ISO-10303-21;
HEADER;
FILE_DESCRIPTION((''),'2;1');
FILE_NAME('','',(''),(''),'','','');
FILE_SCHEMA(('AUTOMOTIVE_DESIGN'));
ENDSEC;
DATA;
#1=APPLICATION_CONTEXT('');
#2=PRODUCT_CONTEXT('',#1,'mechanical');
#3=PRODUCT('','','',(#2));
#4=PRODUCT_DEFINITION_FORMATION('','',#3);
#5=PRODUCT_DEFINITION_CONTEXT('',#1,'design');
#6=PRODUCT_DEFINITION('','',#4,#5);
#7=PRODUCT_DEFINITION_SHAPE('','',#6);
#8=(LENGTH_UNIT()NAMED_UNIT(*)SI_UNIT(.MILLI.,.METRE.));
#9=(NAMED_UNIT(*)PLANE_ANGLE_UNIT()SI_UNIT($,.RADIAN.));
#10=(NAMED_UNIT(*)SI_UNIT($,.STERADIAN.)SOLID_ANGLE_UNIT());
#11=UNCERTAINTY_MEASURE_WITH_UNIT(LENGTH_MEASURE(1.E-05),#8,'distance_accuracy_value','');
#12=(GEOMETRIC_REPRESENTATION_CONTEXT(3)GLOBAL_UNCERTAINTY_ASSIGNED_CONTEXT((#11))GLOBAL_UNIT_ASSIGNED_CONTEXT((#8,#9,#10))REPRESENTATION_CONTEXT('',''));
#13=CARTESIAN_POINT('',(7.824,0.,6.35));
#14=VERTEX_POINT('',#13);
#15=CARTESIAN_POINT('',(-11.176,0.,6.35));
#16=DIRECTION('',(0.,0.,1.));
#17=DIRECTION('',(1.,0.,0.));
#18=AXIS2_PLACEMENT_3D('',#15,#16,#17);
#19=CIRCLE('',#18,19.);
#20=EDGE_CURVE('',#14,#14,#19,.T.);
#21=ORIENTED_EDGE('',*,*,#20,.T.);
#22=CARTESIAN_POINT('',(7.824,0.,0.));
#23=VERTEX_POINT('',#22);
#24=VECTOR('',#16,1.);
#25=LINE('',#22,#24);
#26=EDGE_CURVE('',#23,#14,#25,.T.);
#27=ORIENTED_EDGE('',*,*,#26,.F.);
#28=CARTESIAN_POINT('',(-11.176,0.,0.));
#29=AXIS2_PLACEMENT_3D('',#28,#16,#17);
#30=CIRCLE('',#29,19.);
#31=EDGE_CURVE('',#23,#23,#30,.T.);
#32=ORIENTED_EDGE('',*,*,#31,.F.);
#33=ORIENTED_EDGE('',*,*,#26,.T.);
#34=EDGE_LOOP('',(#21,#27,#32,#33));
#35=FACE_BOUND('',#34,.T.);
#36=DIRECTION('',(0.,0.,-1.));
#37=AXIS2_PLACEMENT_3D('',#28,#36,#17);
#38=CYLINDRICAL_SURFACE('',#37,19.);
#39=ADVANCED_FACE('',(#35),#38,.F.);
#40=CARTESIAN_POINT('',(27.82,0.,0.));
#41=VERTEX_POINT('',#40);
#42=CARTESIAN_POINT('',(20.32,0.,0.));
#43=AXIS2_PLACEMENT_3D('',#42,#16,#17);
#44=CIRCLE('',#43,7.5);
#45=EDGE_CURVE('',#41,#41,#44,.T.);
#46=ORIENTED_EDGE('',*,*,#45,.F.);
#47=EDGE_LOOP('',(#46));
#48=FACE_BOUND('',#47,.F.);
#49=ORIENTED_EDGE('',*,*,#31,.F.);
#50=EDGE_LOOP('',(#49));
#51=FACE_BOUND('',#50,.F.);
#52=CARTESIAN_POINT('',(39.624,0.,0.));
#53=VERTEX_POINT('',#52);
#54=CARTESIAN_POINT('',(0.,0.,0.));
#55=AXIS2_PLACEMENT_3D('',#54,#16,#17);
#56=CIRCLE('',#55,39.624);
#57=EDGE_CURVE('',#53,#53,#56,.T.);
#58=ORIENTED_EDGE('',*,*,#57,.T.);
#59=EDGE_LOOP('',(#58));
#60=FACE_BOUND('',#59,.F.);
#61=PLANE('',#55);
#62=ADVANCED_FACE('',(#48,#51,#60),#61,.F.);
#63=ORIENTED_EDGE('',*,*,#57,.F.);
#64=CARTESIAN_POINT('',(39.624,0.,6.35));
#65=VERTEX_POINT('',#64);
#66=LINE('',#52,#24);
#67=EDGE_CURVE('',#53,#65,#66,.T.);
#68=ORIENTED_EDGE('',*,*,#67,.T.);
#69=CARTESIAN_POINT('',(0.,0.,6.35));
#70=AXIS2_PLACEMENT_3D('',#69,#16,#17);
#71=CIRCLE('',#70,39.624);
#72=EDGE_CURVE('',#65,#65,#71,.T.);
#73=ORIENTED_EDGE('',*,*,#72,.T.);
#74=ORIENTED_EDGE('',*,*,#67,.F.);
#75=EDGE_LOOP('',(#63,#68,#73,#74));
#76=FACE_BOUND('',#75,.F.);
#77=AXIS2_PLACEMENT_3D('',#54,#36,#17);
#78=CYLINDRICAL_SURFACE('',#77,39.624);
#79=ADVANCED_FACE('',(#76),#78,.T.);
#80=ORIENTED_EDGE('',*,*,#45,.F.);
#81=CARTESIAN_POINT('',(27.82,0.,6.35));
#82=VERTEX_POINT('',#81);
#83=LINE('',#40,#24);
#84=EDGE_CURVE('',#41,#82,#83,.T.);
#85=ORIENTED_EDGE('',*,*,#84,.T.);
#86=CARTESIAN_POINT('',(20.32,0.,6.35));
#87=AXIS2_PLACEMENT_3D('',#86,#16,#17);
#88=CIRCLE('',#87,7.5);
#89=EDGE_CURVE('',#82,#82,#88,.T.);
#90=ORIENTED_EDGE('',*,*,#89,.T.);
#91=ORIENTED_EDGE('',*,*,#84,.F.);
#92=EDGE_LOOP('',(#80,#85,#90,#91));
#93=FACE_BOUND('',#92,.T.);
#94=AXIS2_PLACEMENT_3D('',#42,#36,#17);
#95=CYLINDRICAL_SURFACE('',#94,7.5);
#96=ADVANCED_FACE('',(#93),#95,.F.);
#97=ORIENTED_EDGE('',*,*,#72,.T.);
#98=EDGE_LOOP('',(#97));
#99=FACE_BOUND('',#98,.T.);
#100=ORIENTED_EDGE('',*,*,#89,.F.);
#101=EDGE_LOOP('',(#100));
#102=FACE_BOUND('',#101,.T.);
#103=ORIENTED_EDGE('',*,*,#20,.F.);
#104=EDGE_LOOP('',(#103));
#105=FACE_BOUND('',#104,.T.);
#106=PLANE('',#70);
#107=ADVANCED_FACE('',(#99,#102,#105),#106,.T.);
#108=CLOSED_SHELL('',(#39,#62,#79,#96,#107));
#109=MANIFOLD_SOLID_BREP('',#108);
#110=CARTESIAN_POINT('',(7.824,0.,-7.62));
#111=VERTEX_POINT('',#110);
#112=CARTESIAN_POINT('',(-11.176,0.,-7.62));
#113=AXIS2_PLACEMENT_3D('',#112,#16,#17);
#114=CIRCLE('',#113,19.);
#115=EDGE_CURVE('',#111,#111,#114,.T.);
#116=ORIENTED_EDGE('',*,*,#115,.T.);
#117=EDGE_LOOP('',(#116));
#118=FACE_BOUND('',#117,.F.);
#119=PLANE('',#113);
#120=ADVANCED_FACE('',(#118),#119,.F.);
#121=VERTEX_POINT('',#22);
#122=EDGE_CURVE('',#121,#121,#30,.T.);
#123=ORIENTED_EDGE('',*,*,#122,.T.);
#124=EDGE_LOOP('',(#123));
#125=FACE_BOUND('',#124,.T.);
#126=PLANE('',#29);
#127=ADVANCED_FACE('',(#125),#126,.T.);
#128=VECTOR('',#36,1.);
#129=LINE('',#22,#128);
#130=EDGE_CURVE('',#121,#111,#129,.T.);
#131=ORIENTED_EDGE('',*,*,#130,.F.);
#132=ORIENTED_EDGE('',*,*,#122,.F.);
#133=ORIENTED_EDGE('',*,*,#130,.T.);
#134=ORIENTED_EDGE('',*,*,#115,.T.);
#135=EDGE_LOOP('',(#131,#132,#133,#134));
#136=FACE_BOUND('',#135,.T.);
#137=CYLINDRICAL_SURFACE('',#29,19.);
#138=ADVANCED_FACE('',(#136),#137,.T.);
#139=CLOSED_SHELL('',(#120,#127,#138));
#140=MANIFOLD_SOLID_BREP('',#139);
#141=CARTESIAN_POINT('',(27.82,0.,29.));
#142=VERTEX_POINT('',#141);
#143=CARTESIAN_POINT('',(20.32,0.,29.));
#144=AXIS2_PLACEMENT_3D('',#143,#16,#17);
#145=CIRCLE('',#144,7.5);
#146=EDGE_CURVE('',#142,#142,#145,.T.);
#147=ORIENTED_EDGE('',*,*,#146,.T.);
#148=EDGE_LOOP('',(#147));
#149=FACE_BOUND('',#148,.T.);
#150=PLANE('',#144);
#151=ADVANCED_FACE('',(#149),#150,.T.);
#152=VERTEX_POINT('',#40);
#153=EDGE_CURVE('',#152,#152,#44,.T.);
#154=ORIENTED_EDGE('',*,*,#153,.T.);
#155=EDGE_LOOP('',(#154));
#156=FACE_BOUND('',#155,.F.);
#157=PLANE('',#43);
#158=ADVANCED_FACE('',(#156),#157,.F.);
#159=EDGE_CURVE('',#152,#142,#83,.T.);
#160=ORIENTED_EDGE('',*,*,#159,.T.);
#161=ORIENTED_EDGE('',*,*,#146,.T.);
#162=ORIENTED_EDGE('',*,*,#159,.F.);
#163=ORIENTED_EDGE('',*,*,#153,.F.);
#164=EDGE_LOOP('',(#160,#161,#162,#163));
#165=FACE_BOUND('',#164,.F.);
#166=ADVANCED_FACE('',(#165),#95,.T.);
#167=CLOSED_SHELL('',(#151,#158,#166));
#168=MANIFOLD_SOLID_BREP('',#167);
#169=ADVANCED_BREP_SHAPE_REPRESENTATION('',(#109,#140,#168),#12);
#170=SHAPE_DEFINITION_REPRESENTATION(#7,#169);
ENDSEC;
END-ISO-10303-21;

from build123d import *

# Parameters (mm, degrees)
F0_R     = 39.624
F0_R_2   = 19
F0_R_3   = 7.5
F1_DEPTH = 6.35
F2_R     = 7.5
F3_DEPTH = 29
F4_R     = 19
F5_DEPTH = 7.62


with BuildPart() as f1:
    # F0 (on Top) → F1 (new body)
    with BuildSketch(Plane.XY):
        Circle(F0_R)
        with Locations((-11.176, 0)):
            Circle(F0_R_2, mode=Mode.SUBTRACT)
        with Locations((20.32, 0)):
            Circle(F0_R_3, mode=Mode.SUBTRACT)
    extrude(amount=F1_DEPTH)


with BuildPart() as f3:
    # F2 (on Top) → F3 (new body)
    with BuildSketch(Plane.XY):
        with Locations((20.32, 0)):
            Circle(F2_R)
    extrude(amount=F3_DEPTH)


with BuildPart() as f5:
    # F4 (on Top) → F5 (new body)
    with BuildSketch(Plane.XY):
        with Locations((-11.176, 0)):
            Circle(F4_R)
    extrude(amount=-F5_DEPTH)


solid = Compound([f1.part, f3.part, f5.part])
